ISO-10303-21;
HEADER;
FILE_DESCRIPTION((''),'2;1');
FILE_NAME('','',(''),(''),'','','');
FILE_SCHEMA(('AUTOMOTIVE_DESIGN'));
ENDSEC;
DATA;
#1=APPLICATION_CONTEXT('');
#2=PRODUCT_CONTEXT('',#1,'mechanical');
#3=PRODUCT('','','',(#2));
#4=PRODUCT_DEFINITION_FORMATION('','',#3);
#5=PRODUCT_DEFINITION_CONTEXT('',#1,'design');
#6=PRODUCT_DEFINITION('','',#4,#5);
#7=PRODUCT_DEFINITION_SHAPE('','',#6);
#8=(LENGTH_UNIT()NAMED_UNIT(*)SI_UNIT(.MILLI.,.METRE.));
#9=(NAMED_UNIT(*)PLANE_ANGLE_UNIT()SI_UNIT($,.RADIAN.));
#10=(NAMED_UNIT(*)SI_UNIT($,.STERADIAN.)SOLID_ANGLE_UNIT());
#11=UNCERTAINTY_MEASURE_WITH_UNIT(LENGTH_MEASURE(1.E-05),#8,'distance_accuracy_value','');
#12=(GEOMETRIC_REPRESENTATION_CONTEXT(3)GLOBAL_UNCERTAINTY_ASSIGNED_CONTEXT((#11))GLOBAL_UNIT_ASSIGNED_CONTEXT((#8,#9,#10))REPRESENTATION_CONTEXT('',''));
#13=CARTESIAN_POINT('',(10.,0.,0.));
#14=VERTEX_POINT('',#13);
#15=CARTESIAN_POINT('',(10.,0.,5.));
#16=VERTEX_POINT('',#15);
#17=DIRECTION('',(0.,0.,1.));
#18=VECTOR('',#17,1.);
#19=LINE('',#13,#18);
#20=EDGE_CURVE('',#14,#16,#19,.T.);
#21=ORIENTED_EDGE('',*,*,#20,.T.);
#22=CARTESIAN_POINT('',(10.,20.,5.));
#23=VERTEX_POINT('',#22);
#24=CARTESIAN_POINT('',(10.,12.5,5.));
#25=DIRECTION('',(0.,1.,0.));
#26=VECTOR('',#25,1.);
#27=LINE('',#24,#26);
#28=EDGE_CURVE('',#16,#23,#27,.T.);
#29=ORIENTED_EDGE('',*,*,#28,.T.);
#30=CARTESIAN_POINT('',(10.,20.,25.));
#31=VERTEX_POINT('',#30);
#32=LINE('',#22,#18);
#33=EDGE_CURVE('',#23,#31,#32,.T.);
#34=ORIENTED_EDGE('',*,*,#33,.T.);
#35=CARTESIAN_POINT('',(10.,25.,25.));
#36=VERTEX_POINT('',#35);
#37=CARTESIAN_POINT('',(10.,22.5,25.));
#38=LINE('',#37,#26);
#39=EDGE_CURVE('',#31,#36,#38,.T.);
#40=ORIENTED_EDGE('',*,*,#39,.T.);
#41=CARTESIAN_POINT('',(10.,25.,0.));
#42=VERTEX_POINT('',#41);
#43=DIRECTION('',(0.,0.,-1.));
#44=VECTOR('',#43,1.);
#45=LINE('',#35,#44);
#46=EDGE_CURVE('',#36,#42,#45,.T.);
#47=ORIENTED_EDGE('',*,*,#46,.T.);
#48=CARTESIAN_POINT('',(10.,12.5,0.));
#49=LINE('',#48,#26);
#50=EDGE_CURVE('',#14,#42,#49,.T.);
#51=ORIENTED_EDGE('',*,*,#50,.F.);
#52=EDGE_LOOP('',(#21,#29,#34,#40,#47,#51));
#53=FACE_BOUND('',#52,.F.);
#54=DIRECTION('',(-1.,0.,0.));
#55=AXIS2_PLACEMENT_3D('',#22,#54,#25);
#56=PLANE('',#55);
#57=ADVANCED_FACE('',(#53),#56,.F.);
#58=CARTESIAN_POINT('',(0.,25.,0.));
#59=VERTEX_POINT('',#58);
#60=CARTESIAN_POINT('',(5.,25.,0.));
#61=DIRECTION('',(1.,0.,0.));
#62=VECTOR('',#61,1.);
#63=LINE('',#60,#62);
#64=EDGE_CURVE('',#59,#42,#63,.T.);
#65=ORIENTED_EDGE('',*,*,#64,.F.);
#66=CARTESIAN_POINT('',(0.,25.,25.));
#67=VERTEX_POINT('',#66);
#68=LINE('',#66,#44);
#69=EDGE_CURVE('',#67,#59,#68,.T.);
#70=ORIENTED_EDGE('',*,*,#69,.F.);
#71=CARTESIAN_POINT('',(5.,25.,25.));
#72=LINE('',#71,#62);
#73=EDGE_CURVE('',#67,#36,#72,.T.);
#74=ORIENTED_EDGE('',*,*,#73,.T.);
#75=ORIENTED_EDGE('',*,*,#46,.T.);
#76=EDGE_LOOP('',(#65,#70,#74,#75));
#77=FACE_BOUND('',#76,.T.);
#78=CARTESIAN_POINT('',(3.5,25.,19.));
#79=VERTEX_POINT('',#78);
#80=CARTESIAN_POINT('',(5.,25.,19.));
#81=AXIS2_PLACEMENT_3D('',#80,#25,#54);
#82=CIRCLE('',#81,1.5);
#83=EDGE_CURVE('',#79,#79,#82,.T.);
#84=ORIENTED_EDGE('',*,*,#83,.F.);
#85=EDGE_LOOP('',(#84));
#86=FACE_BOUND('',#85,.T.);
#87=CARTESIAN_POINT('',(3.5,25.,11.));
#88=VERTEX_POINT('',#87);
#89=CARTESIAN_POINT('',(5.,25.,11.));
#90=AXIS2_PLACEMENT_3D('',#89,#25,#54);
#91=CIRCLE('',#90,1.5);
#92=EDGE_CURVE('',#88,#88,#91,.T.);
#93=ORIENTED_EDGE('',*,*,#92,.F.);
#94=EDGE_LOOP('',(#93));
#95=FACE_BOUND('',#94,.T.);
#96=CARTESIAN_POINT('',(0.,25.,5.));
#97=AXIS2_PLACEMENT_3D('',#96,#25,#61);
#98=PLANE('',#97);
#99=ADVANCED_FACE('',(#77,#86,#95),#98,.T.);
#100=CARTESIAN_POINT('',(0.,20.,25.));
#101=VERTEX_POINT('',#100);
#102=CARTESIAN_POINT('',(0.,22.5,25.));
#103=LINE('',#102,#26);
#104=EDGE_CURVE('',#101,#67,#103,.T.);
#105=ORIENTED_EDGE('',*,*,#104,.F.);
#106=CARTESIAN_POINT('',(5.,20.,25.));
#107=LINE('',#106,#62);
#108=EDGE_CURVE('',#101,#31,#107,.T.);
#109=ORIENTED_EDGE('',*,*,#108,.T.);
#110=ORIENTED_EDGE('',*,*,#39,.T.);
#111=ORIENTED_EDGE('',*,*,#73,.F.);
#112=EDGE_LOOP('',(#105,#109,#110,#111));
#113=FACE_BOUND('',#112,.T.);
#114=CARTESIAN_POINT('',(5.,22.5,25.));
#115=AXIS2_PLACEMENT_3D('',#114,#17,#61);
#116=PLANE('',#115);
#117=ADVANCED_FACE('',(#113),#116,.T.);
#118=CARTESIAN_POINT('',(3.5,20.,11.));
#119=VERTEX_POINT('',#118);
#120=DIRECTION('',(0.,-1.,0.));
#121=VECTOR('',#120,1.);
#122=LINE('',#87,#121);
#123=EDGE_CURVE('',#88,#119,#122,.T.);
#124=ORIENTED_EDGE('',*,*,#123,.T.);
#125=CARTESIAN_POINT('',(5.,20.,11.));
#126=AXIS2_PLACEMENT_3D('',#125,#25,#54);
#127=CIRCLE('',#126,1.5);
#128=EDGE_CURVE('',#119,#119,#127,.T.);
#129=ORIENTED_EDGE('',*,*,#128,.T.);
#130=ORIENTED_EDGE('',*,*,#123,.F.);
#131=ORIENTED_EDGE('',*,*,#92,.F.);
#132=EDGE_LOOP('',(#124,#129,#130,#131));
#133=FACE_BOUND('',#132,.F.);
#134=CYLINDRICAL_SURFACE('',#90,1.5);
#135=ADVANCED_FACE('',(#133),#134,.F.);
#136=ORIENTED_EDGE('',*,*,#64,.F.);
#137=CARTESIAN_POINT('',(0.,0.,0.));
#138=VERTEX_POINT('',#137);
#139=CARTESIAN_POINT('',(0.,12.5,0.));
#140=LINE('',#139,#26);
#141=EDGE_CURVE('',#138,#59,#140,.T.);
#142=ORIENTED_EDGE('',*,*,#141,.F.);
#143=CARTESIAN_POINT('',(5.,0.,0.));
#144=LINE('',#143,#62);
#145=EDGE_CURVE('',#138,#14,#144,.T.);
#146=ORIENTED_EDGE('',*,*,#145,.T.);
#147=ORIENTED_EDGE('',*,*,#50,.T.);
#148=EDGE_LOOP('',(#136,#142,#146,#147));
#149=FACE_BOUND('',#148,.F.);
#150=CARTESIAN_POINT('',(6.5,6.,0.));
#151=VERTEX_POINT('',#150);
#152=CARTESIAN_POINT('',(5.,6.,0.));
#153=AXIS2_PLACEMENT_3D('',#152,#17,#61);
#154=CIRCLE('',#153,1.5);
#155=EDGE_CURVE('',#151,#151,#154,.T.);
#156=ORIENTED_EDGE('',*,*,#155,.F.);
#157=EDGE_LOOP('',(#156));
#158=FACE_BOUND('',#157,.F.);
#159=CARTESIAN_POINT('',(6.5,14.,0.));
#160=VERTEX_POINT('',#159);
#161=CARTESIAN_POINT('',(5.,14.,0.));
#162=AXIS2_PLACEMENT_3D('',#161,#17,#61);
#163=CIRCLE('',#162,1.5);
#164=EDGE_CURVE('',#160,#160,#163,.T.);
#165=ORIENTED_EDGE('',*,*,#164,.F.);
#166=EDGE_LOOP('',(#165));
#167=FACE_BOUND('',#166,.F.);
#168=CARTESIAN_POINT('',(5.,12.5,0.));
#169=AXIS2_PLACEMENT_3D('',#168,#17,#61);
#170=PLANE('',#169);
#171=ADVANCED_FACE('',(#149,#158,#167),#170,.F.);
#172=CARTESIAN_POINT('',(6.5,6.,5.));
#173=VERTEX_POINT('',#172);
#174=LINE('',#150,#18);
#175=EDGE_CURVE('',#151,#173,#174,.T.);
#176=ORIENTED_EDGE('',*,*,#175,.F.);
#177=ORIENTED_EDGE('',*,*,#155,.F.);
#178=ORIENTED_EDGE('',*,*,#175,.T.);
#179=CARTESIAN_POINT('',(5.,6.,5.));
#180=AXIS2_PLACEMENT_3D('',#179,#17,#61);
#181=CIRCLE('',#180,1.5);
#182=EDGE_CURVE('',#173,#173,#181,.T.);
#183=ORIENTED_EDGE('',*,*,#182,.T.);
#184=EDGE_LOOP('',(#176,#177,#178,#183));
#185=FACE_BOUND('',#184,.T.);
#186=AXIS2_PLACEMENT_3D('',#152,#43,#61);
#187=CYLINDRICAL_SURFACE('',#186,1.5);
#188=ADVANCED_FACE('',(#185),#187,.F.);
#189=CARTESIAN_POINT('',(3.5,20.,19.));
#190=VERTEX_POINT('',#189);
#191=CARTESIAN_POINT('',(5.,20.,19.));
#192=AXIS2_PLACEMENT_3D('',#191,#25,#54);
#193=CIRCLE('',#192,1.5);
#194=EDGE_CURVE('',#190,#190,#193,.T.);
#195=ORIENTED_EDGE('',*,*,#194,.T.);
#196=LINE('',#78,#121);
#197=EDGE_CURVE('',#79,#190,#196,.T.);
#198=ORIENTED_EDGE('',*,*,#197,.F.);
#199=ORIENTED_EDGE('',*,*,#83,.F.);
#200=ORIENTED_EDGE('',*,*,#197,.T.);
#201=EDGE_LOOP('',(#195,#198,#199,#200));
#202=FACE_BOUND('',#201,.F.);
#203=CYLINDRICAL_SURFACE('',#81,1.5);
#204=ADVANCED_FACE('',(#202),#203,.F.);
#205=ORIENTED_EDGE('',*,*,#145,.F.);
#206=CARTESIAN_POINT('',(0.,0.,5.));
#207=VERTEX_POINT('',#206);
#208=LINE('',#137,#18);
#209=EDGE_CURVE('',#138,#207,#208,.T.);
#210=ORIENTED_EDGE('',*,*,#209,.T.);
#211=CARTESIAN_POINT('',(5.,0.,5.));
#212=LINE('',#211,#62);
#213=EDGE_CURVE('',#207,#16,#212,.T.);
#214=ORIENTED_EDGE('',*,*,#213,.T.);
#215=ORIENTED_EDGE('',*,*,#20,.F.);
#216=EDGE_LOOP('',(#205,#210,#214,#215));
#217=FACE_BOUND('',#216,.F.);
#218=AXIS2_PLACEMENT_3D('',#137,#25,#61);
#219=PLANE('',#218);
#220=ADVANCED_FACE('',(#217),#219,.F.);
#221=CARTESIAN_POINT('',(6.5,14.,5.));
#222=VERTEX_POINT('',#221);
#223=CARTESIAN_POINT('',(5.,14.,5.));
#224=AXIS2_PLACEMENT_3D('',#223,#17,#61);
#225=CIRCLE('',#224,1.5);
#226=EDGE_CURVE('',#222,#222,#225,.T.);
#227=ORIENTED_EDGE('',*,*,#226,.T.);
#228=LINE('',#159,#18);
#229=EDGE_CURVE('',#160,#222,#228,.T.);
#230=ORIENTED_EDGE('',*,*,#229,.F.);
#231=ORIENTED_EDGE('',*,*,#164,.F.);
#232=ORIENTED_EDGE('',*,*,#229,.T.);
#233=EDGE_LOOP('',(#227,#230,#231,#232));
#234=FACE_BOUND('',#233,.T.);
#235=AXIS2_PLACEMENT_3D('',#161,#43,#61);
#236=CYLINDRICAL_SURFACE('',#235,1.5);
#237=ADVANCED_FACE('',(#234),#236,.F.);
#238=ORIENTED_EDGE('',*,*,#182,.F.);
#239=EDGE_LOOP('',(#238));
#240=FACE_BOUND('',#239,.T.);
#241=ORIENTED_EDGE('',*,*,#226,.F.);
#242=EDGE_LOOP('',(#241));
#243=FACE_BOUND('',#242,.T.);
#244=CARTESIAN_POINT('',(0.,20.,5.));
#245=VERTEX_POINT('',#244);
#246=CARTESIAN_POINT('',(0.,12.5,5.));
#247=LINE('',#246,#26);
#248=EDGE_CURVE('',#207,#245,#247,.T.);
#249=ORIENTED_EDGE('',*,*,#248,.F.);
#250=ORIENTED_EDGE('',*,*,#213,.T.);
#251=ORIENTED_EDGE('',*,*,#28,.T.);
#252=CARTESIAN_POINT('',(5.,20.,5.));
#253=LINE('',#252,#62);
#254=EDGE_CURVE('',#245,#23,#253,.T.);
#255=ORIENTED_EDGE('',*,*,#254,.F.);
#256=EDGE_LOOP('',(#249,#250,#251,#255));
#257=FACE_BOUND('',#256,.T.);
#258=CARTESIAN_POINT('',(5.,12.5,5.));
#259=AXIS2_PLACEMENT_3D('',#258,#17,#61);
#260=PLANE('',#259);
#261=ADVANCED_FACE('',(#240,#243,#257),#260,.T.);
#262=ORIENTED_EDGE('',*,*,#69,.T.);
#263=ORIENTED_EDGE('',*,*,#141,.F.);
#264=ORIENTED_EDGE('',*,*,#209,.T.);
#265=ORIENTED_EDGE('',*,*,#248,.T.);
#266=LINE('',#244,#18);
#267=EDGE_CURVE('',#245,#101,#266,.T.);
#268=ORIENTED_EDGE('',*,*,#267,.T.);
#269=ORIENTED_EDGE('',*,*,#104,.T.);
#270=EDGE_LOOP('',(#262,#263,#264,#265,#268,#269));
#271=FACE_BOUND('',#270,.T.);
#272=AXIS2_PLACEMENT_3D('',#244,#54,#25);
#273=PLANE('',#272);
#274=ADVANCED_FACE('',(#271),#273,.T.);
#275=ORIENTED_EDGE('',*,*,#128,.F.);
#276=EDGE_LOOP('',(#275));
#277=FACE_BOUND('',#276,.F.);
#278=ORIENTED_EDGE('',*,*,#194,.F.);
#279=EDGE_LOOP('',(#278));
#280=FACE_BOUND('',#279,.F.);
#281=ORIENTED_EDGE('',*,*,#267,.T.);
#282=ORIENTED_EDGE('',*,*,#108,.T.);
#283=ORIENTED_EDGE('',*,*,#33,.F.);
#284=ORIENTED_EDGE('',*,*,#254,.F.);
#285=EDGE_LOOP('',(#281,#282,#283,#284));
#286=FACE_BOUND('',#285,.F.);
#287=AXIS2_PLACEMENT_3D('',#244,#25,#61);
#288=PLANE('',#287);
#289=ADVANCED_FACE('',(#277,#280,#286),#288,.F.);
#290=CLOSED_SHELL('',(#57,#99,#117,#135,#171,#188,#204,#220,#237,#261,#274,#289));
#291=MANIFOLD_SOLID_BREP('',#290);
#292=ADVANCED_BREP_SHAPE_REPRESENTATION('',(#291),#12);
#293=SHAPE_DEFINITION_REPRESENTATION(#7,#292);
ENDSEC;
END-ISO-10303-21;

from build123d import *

# Parameters (mm, degrees)
SKETCH_W     = 10
SKETCH_H     = 25
SKETCH_R     = 1.5
PAD_DEPTH    = 5
SKETCH001_W  = 10
SKETCH001_H  = 5
PAD001_DEPTH = 20
SKETCH002_R  = 1.5
POCKET_DEPTH = 25.001


with BuildPart() as part:
    # Sketch → Pad (new body)
    with BuildSketch(Plane.XY):
        with Locations((5, 12.5)):
            Rectangle(SKETCH_W, SKETCH_H)
        with Locations((5, 14)):
            Circle(SKETCH_R, mode=Mode.SUBTRACT)
        with Locations((5, 6)):
            Circle(SKETCH_R, mode=Mode.SUBTRACT)
    extrude(amount=PAD_DEPTH)

    # Sketch001 → Pad001 (new body)
    with BuildSketch(Plane.XY.offset(5)):
        with Locations((5, 22.5)):
            Rectangle(SKETCH001_W, SKETCH001_H)
    extrude(amount=PAD001_DEPTH)

    # Sketch002 → Pocket (cut, through all)
    with BuildSketch(Plane(origin=(0, 25, 0), x_dir=(-1, 0, 0), z_dir=(0, 1, 0))):
        with Locations((-5, 19)):
            Circle(SKETCH002_R)
        with Locations((-5, 11)):
            Circle(SKETCH002_R)
    extrude(amount=-POCKET_DEPTH, mode=Mode.SUBTRACT)


solid = part.part
